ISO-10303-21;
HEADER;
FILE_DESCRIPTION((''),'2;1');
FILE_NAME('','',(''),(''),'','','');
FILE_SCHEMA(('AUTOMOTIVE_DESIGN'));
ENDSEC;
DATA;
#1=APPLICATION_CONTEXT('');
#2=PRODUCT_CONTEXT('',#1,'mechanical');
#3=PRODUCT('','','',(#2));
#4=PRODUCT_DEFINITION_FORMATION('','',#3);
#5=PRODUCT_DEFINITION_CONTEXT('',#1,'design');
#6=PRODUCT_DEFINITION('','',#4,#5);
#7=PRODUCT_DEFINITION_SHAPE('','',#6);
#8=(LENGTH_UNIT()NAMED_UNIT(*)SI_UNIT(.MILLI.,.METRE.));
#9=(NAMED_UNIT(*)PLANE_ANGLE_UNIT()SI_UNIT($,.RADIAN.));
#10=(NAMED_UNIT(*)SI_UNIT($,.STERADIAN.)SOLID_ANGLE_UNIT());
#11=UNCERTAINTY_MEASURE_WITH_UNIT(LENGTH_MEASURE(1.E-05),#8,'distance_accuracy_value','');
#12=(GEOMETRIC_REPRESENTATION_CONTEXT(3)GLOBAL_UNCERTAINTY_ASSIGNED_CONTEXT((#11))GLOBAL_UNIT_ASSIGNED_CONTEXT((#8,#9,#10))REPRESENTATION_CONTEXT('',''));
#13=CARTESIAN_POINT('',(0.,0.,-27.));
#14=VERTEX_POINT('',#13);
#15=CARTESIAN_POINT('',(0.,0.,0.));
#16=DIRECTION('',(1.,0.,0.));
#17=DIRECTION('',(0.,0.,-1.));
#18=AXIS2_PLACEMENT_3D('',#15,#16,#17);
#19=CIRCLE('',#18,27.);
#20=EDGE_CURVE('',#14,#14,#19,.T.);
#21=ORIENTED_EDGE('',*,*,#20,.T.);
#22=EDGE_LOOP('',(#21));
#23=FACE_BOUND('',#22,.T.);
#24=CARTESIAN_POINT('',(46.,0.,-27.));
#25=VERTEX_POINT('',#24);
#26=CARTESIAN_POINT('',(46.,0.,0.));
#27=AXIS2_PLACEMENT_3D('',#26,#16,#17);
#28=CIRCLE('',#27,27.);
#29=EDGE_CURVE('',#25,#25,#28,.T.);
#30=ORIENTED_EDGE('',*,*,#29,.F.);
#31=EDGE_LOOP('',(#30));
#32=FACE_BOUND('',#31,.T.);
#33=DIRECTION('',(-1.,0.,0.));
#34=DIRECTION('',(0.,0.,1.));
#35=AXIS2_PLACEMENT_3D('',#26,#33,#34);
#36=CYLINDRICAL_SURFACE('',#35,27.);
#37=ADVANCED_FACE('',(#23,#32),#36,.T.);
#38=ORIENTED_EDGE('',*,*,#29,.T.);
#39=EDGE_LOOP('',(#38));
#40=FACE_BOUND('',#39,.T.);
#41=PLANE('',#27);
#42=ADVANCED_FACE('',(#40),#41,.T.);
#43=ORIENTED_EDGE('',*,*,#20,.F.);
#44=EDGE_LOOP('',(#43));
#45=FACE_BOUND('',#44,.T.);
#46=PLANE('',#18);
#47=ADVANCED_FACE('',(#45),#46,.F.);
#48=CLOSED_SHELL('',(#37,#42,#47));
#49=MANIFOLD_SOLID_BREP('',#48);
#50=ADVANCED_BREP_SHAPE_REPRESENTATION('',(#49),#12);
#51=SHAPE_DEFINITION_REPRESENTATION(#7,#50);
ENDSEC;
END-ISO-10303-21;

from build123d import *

# Parameters (mm, degrees)
SKETCH1_R           = 27
BOSS_EXTRUDE1_DEPTH = 46


with BuildPart() as part:
    # Sketch1 → Boss-Extrude1 (new body)
    with BuildSketch(Plane(origin=(0, 0, 0), x_dir=(0, 0, -1), z_dir=(1, 0, 0))):
        Circle(SKETCH1_R)
    extrude(amount=BOSS_EXTRUDE1_DEPTH)


solid = part.part
